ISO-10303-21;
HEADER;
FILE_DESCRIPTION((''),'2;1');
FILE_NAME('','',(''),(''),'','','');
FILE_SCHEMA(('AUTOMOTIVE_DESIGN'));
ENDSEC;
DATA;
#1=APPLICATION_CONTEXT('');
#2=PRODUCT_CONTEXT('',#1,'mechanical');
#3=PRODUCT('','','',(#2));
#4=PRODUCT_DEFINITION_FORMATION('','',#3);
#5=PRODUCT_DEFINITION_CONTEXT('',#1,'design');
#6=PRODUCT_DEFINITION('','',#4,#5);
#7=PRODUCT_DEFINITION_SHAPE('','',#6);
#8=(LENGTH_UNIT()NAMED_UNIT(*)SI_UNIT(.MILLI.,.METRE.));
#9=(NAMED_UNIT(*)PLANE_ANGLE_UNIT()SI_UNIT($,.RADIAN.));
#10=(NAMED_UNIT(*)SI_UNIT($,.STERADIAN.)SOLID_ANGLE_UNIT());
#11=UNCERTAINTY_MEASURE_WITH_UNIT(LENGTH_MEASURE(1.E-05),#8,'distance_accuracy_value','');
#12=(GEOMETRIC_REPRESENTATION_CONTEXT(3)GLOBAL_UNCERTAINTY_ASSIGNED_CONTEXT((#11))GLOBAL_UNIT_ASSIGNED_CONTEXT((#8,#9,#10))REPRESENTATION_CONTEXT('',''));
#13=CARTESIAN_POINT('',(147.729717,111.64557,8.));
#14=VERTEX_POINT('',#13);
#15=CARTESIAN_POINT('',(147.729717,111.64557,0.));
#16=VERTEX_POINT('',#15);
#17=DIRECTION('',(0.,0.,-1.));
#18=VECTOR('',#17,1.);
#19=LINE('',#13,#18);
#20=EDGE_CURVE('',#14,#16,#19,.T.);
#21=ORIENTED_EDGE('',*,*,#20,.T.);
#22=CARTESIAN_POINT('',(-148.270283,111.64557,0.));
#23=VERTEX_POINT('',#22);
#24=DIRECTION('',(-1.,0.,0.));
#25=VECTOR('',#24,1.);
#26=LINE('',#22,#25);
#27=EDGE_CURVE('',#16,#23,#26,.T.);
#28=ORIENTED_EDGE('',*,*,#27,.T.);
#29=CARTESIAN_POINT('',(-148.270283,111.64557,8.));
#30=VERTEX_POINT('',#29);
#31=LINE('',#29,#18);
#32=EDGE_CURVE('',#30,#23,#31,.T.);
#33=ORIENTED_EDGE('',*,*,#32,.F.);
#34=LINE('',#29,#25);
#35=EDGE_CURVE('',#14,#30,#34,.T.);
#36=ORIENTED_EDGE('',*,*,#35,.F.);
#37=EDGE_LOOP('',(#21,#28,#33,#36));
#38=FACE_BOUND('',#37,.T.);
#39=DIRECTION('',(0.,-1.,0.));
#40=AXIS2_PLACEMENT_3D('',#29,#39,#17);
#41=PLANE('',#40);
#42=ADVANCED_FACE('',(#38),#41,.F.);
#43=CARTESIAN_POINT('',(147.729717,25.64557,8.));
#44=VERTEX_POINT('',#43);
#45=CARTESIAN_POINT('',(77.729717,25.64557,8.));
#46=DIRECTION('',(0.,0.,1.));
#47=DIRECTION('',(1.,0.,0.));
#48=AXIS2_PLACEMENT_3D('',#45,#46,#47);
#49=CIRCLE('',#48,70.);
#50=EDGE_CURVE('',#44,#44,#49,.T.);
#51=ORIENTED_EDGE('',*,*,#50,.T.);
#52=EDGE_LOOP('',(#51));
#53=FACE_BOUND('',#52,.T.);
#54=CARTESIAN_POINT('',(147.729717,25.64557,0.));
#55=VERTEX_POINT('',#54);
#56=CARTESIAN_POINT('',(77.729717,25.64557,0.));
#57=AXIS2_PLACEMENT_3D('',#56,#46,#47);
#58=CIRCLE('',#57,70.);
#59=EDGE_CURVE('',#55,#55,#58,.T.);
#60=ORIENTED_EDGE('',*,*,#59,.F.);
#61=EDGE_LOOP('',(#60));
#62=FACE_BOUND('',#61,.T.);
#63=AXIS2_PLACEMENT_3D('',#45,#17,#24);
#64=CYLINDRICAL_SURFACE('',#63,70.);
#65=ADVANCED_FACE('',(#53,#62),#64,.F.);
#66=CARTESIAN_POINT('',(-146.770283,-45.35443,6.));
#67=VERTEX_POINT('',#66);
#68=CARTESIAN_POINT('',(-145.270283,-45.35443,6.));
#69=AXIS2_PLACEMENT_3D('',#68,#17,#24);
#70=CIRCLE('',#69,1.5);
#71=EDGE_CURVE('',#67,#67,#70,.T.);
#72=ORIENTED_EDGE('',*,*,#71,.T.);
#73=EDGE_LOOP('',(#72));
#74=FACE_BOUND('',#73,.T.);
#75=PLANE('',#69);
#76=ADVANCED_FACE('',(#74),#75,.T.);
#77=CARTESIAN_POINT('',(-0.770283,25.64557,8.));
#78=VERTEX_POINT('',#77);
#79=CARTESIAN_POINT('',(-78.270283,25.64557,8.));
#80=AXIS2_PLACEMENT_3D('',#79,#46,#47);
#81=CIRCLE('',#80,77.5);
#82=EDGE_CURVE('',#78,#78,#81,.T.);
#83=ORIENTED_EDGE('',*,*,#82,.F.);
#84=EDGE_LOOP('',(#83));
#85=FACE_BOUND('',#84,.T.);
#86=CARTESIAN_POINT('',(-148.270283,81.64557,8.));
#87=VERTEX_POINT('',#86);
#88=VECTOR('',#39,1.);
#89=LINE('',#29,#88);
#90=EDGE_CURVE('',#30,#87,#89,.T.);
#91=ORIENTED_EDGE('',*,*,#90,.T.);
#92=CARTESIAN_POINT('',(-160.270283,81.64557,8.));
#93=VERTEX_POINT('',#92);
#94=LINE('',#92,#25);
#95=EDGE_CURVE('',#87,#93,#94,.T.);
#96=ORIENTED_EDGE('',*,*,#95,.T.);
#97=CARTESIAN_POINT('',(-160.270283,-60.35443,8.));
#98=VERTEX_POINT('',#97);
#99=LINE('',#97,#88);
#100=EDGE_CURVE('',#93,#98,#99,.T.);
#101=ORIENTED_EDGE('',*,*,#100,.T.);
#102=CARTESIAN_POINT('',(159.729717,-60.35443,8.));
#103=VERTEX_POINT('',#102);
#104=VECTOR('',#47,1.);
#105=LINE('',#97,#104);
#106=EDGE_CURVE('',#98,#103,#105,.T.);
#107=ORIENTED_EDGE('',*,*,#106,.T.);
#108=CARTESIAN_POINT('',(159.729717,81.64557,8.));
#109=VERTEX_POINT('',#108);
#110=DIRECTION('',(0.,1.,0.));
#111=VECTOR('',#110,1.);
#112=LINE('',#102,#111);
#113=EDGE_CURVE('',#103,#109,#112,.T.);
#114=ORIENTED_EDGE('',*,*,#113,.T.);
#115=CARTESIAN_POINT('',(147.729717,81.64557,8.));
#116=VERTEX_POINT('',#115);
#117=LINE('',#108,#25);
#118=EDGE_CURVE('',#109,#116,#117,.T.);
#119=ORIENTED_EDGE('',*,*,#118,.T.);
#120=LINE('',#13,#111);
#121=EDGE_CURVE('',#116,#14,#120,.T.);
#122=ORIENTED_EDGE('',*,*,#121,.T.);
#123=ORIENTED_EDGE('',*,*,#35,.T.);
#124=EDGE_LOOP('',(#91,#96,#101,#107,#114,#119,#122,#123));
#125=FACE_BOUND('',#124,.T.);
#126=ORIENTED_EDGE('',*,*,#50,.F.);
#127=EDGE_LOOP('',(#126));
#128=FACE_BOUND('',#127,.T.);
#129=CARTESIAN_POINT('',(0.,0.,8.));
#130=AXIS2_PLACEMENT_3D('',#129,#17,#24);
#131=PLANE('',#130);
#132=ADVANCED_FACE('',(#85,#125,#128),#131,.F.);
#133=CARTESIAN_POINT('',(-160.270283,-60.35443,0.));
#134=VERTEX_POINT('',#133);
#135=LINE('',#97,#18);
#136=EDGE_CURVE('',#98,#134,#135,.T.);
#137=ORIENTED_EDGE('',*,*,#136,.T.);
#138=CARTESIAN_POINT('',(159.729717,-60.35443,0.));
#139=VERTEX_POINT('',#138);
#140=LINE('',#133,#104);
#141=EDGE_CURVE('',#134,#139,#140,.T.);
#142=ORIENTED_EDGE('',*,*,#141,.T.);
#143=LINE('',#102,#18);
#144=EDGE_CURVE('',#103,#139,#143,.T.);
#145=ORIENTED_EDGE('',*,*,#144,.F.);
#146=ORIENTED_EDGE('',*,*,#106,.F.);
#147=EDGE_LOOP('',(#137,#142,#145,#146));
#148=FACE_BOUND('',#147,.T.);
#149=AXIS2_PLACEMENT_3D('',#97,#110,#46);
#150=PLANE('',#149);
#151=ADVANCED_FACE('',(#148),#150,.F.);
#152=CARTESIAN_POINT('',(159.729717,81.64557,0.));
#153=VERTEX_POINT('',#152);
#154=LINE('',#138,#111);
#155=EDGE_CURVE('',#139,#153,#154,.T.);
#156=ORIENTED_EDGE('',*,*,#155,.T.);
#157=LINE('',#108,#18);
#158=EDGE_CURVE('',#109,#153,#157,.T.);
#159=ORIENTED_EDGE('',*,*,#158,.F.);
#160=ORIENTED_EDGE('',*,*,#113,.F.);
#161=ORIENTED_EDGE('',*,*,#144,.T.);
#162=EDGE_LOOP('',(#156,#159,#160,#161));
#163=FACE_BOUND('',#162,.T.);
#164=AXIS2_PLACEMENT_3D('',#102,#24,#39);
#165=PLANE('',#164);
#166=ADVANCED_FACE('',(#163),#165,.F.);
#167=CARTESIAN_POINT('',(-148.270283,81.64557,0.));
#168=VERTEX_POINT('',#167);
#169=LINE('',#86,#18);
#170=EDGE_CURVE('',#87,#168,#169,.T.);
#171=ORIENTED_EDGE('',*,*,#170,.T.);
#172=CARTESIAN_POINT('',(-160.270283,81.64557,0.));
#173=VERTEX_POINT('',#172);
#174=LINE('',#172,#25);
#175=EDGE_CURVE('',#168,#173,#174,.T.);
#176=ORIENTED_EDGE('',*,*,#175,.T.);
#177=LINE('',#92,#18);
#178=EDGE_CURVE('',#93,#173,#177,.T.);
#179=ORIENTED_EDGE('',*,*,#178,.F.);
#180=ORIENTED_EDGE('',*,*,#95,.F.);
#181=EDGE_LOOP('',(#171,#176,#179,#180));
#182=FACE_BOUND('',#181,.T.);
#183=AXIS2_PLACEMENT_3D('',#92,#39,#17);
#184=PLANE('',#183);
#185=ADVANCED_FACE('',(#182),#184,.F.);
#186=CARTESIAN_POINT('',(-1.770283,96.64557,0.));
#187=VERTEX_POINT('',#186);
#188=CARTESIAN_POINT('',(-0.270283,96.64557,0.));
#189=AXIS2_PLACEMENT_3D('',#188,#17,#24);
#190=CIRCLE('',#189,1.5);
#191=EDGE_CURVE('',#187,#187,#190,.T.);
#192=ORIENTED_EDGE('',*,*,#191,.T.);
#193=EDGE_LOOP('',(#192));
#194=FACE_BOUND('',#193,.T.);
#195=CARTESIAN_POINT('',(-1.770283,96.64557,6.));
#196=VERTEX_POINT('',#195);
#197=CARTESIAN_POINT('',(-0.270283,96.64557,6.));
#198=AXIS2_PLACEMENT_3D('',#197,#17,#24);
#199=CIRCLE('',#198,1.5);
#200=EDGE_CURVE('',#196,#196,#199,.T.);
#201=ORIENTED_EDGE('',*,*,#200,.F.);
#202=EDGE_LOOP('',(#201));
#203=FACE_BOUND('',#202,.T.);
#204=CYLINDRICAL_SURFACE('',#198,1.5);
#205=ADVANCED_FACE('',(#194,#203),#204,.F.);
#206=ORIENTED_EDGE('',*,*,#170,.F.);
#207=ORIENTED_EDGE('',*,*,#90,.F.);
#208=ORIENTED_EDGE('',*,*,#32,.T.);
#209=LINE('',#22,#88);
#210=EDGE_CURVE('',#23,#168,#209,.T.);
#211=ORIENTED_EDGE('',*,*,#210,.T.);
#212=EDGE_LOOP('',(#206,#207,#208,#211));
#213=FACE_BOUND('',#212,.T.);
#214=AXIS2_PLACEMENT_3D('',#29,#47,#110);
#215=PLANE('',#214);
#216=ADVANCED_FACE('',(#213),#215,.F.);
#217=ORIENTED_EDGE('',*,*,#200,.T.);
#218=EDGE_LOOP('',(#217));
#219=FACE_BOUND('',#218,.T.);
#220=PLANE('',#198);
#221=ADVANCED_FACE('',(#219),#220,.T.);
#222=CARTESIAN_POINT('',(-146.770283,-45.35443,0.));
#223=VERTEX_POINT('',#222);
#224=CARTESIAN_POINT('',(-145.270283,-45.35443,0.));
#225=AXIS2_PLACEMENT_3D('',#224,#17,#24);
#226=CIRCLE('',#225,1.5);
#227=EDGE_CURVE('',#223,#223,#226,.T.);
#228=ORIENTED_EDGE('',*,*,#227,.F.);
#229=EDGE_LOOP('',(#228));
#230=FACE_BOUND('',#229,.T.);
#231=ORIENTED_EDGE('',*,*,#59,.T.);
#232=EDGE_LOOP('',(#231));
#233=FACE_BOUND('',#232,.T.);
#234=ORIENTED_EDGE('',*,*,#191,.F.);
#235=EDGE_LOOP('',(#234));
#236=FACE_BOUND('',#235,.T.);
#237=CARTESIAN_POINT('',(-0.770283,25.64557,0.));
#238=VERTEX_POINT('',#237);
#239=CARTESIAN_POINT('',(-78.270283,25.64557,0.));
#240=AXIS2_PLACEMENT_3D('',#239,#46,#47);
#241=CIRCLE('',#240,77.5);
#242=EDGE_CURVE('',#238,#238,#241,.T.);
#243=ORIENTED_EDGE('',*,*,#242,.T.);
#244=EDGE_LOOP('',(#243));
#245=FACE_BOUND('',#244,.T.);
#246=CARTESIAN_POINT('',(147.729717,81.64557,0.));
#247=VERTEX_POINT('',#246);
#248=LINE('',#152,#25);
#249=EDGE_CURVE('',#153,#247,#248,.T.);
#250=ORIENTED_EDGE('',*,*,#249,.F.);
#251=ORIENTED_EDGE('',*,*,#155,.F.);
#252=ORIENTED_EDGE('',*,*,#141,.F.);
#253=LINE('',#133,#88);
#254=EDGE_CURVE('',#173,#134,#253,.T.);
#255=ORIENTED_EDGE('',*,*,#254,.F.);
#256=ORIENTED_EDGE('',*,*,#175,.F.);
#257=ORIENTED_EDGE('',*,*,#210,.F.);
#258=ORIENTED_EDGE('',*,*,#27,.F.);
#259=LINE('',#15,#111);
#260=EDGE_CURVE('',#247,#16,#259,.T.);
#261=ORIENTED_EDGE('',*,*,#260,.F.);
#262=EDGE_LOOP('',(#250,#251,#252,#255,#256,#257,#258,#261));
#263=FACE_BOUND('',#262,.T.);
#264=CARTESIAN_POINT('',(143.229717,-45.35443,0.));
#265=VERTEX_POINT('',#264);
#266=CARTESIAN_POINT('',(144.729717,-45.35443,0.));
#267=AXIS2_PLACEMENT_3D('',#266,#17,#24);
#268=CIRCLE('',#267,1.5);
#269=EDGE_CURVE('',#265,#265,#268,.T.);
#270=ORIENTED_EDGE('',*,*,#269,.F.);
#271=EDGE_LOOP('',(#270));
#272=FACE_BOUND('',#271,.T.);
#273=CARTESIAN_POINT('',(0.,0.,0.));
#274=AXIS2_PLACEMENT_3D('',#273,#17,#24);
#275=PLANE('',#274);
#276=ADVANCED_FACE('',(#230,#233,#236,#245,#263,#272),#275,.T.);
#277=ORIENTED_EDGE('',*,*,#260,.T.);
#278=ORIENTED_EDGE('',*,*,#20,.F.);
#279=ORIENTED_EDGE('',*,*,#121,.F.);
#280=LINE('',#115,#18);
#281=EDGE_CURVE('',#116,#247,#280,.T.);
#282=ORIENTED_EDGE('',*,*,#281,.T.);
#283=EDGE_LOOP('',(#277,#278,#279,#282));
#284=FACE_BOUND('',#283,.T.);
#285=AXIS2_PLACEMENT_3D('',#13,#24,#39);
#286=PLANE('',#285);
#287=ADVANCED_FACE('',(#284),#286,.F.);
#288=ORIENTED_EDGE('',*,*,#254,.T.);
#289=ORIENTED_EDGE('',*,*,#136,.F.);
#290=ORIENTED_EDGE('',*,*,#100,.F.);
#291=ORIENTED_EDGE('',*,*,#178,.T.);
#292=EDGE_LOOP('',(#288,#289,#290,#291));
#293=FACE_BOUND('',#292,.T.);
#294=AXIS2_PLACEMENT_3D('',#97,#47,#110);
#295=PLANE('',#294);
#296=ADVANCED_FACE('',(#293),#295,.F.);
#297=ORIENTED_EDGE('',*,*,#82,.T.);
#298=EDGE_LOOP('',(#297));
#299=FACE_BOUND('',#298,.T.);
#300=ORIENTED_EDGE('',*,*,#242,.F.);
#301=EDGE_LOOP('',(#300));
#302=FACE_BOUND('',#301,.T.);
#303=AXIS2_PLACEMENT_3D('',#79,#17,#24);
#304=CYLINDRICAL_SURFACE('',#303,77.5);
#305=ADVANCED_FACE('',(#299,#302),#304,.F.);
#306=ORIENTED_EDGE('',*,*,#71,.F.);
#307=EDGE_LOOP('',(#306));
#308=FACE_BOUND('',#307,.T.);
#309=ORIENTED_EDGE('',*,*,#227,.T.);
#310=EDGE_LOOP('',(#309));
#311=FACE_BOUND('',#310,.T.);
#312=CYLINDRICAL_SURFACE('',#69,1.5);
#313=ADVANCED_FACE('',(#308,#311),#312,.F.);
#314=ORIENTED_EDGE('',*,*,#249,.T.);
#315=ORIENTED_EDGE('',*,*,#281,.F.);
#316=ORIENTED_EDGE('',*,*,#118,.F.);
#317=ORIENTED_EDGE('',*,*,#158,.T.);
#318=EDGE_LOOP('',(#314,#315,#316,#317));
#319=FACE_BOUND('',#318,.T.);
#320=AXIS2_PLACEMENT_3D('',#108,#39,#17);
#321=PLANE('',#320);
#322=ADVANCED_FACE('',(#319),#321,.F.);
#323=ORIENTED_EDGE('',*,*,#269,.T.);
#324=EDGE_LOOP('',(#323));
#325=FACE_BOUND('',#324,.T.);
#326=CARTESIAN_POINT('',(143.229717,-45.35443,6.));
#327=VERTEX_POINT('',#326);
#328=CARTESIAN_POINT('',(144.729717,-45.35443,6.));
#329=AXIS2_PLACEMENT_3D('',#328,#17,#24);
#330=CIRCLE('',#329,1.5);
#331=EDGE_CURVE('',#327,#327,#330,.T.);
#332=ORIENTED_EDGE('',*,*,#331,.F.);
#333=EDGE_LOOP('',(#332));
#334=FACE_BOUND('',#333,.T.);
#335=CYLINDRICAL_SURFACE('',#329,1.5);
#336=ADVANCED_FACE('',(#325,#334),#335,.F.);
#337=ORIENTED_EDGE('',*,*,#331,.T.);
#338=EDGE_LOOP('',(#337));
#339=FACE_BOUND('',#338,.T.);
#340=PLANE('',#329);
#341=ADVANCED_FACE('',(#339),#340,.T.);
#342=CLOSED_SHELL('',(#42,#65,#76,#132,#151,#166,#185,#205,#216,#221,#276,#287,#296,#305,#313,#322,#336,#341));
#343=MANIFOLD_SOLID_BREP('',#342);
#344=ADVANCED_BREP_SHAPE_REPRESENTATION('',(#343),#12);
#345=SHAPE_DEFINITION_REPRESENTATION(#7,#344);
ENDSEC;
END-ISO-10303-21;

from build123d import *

# Parameters (mm, degrees)
SKETCH1_R           = 77.5
SKETCH1_R_2         = 70
BOSS_EXTRUDE1_DEPTH = 8
SKETCH2_R           = 1.5
CUT_EXTRUDE1_DEPTH  = 6


with BuildPart() as part:
    # Sketch1 → Boss-Extrude1 (new body)
    with BuildSketch(Plane.XY):
        Polygon((-148.270283039, 111.64556962), (147.729716961, 111.64556962), (147.729716961, 81.64556962), (159.729716961, 81.64556962), (159.729716961, -60.35443038), (-160.270283039, -60.35443038), (-160.270283039, 81.64556962), (-148.270283039, 81.64556962), align=None)
        with Locations((-78.270283039, 25.64556962)):
            Circle(SKETCH1_R, mode=Mode.SUBTRACT)
        with Locations((77.729716961, 25.64556962)):
            Circle(SKETCH1_R_2, mode=Mode.SUBTRACT)
    extrude(amount=BOSS_EXTRUDE1_DEPTH)

    # Sketch2 → Cut-Extrude1 (cut)
    with BuildSketch(Plane.XY):
        with Locations((-0.270283039, 96.64556962)):
            Circle(SKETCH2_R)
        with Locations((144.729716961, -45.35443038)):
            Circle(SKETCH2_R)
        with Locations((-145.270283039, -45.35443038)):
            Circle(SKETCH2_R)
    extrude(amount=CUT_EXTRUDE1_DEPTH, mode=Mode.SUBTRACT)


solid = part.part
